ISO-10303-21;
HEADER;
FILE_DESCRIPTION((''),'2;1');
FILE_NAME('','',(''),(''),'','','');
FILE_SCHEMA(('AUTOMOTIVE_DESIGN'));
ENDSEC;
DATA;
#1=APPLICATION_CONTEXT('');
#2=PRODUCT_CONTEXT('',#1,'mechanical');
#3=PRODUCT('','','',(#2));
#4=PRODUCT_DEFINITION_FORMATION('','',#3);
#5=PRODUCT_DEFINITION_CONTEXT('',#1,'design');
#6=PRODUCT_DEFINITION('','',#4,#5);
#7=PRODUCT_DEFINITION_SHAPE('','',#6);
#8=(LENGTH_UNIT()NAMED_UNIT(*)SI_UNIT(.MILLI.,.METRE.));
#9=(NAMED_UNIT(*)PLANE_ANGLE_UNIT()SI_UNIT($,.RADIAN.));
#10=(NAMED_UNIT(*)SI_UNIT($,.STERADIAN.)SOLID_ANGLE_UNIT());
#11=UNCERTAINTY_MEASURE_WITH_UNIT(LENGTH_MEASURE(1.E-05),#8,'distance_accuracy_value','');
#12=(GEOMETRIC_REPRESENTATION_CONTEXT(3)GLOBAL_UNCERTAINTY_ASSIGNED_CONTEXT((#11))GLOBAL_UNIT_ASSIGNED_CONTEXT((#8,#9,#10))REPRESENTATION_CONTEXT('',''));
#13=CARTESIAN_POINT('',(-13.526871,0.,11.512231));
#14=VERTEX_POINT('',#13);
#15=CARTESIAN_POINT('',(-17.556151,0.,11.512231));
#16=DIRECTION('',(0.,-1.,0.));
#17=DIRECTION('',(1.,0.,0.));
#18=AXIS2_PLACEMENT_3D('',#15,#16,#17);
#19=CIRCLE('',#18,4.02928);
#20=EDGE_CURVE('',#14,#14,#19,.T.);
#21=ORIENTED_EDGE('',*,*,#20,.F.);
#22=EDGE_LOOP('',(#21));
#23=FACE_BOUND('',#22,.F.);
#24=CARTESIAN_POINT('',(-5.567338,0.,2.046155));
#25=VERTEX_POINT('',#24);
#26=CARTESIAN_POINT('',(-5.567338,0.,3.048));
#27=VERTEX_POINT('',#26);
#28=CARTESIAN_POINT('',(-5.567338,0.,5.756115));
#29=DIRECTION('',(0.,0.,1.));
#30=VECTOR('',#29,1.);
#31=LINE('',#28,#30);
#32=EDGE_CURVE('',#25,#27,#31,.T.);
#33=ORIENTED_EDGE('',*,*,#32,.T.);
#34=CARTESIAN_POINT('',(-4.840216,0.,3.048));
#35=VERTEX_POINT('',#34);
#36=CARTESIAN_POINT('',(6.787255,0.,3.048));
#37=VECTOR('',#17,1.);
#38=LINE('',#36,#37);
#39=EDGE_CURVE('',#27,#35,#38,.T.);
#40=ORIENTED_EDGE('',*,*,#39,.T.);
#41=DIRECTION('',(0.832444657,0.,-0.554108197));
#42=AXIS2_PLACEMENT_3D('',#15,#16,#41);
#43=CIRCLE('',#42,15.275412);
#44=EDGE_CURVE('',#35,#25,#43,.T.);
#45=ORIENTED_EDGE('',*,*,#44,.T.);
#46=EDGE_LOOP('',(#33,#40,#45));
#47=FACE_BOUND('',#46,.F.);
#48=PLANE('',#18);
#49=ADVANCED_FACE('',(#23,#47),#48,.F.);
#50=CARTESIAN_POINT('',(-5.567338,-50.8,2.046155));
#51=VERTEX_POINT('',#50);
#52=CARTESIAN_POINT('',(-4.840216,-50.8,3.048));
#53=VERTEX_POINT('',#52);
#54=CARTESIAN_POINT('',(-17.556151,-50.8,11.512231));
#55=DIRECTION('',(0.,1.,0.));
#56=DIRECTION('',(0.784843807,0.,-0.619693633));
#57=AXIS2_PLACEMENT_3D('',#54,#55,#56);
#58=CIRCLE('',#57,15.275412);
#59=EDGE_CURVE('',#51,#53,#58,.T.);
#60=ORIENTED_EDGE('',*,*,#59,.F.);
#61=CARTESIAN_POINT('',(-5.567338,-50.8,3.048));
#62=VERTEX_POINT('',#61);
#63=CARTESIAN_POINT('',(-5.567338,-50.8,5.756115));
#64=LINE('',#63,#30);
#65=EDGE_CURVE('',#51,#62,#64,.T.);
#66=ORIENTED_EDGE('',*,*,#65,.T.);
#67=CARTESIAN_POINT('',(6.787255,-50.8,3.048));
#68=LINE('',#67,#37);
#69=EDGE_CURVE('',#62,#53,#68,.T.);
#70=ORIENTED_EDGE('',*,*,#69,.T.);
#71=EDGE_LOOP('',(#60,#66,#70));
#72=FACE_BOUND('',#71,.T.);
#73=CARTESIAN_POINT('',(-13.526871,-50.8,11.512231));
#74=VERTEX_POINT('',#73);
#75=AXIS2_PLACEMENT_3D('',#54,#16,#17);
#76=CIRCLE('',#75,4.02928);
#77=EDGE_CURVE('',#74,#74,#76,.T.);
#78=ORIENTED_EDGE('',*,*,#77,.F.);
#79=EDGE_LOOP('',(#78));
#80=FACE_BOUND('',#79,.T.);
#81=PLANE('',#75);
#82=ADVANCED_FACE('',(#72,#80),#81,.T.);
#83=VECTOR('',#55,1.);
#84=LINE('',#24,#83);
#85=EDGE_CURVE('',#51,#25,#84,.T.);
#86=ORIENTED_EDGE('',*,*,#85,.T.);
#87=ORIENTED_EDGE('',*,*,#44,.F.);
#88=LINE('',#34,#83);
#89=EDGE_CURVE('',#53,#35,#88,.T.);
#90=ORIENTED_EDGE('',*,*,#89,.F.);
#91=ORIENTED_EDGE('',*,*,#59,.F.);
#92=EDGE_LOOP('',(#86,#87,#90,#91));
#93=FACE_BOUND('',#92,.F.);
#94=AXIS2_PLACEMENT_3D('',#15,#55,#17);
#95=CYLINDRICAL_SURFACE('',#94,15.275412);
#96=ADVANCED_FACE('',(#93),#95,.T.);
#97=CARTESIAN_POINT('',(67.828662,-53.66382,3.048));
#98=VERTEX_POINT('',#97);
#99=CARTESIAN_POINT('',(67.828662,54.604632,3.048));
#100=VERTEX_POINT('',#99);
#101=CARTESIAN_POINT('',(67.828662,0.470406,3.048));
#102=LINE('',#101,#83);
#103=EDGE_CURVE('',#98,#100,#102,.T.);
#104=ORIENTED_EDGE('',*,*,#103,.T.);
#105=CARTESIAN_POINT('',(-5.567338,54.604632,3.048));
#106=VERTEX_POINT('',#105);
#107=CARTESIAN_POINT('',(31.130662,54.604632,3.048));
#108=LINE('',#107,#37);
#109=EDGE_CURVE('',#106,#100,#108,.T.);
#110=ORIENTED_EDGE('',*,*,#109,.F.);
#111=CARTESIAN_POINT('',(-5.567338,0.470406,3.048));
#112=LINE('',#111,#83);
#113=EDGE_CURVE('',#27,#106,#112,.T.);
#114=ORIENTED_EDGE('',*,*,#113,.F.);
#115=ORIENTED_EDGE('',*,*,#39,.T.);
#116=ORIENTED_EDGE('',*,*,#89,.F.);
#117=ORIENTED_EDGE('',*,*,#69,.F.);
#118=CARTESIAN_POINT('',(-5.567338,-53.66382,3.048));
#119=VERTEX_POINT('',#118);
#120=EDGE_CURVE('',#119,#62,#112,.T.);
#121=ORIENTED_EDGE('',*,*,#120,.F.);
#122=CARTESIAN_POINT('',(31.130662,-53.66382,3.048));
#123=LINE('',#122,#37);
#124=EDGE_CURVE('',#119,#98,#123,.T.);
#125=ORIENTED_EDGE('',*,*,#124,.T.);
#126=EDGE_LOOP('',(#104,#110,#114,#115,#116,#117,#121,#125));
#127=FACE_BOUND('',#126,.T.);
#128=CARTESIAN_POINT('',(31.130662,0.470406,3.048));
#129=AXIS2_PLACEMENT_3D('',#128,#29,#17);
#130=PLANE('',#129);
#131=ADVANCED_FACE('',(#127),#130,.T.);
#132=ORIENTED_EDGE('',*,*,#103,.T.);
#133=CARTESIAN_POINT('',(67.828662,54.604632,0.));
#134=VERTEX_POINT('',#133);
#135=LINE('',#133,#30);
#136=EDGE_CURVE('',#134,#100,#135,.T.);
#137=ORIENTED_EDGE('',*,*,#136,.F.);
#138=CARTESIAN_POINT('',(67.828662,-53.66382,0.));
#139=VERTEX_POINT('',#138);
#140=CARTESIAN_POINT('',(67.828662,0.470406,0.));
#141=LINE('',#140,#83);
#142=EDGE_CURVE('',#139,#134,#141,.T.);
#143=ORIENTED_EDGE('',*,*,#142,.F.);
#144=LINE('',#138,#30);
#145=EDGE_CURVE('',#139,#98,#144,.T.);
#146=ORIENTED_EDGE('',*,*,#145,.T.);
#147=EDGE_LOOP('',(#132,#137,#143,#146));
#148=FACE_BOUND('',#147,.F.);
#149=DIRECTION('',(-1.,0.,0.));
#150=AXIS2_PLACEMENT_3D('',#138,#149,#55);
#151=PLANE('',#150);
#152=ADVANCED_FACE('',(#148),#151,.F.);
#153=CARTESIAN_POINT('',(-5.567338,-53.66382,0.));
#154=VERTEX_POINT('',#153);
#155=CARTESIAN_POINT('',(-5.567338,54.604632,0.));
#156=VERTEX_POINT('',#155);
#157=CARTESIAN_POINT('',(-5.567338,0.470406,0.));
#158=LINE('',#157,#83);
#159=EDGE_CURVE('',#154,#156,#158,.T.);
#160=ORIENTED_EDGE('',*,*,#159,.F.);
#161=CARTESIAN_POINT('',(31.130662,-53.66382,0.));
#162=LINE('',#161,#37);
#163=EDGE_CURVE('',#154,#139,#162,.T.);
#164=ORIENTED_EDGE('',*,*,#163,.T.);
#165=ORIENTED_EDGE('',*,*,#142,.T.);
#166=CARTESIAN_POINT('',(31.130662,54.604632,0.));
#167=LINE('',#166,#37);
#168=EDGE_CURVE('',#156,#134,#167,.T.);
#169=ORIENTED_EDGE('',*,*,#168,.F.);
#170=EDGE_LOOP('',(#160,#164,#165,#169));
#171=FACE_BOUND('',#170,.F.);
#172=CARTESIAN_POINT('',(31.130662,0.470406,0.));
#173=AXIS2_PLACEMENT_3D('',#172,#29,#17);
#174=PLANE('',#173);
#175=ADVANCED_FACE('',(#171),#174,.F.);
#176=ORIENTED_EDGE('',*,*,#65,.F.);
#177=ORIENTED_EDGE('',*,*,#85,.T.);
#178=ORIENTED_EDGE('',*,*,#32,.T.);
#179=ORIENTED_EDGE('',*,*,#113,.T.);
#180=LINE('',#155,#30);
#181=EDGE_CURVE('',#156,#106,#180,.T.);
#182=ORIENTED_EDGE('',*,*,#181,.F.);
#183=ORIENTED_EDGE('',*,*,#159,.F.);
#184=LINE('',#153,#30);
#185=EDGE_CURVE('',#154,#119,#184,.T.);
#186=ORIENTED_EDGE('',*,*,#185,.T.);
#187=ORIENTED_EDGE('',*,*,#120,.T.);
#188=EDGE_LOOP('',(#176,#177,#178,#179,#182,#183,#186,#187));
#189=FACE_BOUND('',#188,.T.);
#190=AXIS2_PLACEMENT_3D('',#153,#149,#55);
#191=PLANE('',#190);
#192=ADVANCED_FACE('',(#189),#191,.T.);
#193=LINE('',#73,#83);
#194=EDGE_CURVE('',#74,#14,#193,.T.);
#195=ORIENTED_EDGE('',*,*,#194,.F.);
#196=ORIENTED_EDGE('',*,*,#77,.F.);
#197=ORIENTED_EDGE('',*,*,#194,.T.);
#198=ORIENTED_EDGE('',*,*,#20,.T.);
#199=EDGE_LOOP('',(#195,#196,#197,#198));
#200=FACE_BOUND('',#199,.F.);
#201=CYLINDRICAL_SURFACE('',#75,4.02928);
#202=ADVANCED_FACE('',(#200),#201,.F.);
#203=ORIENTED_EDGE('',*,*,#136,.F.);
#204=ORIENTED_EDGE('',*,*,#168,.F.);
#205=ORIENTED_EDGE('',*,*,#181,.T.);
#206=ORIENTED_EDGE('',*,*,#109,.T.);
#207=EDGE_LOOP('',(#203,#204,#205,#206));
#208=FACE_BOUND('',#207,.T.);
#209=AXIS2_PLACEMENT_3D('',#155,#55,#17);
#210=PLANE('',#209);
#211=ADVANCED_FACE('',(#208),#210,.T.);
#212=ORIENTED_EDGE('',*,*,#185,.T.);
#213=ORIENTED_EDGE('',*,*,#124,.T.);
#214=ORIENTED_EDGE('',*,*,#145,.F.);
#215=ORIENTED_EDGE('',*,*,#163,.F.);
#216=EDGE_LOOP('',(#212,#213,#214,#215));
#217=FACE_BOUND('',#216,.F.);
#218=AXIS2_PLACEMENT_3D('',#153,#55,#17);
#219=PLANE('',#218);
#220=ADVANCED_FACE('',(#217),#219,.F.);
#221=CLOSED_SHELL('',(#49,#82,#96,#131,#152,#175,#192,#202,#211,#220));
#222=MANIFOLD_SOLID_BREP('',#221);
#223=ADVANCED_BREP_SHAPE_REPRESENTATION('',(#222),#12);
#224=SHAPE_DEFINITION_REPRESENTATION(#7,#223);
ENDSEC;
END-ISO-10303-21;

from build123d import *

# Parameters (mm, degrees)
F0_W     = 73.396001
F0_H     = 108.268451
F1_DEPTH = 3.048
F2_R     = 15.275412
F3_DEPTH = 50.8
F4_R     = 4.02928
F5_DEPTH = 50.8


with BuildPart() as f1:
    # F0 (on Top) → F1 (new body)
    with BuildSketch(Plane.XY):
        with Locations((31.130662, 0.470406)):
            Rectangle(F0_W, F0_H)
    extrude(amount=F1_DEPTH)

    # F2 (on Front) → F3 (join)
    with BuildSketch(Plane.XZ):
        with Locations((-17.556151, 11.512231)):
            Circle(F2_R)
    extrude(amount=F3_DEPTH)

    # F4 (on face) → F5 (cut)
    with BuildSketch(Plane.XZ.offset(50.8)):
        with Locations((-17.556151, 11.512231)):
            Circle(F4_R)
    extrude(amount=-F5_DEPTH, mode=Mode.SUBTRACT)


solid = f1.part
